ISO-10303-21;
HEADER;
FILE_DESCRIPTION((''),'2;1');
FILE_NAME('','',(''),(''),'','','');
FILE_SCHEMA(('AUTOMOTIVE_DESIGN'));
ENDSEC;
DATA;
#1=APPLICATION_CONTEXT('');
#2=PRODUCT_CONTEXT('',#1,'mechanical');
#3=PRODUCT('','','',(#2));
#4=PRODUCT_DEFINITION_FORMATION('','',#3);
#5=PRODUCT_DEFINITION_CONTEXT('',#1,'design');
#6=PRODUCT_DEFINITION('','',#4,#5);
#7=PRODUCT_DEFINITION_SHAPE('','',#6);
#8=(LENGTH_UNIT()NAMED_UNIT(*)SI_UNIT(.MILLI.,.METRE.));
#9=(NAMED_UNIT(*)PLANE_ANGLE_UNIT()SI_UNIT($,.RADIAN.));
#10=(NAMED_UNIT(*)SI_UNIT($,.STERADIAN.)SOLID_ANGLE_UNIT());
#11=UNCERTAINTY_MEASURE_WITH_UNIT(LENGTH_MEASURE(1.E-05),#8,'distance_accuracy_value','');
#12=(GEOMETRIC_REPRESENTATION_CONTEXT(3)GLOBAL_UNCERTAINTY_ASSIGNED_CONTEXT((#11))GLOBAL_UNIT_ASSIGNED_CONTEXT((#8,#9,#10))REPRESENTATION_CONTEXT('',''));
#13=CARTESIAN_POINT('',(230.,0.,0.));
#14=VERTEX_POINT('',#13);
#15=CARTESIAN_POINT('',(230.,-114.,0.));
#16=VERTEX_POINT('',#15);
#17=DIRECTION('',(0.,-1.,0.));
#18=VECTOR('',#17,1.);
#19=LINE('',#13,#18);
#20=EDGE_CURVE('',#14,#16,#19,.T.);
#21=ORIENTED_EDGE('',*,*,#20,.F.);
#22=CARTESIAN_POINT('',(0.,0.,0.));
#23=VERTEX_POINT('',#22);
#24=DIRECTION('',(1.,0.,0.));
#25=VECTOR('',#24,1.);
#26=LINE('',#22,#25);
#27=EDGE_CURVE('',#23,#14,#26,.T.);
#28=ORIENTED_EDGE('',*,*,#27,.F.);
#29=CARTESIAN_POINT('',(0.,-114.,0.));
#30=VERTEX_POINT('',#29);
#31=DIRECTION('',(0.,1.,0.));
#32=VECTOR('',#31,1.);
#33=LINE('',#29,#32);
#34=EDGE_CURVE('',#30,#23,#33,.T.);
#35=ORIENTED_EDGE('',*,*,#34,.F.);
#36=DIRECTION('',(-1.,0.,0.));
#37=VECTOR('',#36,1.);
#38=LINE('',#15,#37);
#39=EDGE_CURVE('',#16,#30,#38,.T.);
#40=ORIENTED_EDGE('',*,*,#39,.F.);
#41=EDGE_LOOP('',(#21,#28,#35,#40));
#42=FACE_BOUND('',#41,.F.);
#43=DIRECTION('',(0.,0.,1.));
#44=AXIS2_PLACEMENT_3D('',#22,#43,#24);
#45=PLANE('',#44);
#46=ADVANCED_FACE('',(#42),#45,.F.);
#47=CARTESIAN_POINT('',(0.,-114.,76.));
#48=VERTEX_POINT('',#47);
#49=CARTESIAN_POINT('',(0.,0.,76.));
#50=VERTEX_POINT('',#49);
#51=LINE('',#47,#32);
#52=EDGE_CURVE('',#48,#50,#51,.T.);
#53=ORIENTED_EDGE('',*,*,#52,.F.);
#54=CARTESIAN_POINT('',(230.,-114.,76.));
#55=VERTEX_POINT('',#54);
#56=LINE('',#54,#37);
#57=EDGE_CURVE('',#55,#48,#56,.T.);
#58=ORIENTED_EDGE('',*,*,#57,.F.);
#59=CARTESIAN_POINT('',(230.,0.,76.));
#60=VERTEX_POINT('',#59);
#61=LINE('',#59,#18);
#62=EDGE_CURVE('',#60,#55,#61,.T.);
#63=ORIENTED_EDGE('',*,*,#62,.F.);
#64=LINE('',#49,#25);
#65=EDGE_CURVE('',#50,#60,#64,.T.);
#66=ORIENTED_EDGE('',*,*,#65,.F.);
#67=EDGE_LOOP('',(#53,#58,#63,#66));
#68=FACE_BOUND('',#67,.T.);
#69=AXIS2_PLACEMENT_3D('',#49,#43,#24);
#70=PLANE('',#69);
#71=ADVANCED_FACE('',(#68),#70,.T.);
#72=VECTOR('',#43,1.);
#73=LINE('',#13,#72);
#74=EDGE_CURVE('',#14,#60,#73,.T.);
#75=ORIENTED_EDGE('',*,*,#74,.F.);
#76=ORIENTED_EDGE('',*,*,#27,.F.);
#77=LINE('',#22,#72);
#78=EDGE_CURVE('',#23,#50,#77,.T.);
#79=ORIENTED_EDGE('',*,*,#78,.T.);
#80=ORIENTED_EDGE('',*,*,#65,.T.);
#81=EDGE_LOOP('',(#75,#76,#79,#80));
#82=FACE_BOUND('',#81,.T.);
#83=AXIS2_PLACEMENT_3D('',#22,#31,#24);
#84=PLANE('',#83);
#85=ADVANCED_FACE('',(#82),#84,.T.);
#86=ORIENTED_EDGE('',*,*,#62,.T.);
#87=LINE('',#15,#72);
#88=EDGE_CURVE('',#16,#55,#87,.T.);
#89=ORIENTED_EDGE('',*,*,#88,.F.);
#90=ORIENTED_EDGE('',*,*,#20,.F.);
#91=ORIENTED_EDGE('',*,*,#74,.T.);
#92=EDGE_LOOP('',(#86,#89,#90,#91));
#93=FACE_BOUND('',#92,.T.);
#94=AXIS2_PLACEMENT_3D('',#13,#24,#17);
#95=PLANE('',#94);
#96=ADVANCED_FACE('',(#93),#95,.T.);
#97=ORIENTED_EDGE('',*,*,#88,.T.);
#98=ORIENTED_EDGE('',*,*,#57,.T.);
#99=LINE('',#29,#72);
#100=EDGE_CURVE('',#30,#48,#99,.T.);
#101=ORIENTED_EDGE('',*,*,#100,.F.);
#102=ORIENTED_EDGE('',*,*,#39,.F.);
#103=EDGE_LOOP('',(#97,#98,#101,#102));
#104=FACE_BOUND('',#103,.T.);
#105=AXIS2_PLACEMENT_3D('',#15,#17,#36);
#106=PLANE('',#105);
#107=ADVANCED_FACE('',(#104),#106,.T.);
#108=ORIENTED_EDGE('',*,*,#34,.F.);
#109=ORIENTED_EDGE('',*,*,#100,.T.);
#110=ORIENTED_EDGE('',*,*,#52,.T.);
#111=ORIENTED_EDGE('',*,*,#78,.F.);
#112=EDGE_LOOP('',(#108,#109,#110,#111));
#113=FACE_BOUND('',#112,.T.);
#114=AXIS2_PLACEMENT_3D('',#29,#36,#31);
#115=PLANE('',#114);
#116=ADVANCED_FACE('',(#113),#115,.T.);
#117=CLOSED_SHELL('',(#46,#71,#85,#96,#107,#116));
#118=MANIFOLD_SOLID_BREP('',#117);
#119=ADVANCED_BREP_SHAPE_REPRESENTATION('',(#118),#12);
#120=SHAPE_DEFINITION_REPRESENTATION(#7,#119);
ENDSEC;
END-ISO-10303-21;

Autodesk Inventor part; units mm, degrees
ref_plane "YZ Plane" through (0, 0, 0) normal (1, 0, 0) x (0, 1, 0)
ref_plane "XZ Plane" through (0, 0, 0) normal (0, 1, 0) x (-1, 0, 0)
ref_plane "XY Plane" through (0, 0, 0) normal (0, 0, 1) x (1, 0, 0)
sketch "Sketch1" plane through (0, 0, 0) normal (0, 0, 1) x (1, 0, 0)
  line L0 (0, 0) -> (230, 0)
  line L1 (230, 0) -> (230, -114)
  line L2 (230, -114) -> (0, -114)
  line L3 (0, -114) -> (0, 0)
  dimension "d0" = 230
  dimension "d1" = 114
extrude "Extrusion1" add sketch "Sketch1" along normal blind 76
properties part number "IFB-23"
